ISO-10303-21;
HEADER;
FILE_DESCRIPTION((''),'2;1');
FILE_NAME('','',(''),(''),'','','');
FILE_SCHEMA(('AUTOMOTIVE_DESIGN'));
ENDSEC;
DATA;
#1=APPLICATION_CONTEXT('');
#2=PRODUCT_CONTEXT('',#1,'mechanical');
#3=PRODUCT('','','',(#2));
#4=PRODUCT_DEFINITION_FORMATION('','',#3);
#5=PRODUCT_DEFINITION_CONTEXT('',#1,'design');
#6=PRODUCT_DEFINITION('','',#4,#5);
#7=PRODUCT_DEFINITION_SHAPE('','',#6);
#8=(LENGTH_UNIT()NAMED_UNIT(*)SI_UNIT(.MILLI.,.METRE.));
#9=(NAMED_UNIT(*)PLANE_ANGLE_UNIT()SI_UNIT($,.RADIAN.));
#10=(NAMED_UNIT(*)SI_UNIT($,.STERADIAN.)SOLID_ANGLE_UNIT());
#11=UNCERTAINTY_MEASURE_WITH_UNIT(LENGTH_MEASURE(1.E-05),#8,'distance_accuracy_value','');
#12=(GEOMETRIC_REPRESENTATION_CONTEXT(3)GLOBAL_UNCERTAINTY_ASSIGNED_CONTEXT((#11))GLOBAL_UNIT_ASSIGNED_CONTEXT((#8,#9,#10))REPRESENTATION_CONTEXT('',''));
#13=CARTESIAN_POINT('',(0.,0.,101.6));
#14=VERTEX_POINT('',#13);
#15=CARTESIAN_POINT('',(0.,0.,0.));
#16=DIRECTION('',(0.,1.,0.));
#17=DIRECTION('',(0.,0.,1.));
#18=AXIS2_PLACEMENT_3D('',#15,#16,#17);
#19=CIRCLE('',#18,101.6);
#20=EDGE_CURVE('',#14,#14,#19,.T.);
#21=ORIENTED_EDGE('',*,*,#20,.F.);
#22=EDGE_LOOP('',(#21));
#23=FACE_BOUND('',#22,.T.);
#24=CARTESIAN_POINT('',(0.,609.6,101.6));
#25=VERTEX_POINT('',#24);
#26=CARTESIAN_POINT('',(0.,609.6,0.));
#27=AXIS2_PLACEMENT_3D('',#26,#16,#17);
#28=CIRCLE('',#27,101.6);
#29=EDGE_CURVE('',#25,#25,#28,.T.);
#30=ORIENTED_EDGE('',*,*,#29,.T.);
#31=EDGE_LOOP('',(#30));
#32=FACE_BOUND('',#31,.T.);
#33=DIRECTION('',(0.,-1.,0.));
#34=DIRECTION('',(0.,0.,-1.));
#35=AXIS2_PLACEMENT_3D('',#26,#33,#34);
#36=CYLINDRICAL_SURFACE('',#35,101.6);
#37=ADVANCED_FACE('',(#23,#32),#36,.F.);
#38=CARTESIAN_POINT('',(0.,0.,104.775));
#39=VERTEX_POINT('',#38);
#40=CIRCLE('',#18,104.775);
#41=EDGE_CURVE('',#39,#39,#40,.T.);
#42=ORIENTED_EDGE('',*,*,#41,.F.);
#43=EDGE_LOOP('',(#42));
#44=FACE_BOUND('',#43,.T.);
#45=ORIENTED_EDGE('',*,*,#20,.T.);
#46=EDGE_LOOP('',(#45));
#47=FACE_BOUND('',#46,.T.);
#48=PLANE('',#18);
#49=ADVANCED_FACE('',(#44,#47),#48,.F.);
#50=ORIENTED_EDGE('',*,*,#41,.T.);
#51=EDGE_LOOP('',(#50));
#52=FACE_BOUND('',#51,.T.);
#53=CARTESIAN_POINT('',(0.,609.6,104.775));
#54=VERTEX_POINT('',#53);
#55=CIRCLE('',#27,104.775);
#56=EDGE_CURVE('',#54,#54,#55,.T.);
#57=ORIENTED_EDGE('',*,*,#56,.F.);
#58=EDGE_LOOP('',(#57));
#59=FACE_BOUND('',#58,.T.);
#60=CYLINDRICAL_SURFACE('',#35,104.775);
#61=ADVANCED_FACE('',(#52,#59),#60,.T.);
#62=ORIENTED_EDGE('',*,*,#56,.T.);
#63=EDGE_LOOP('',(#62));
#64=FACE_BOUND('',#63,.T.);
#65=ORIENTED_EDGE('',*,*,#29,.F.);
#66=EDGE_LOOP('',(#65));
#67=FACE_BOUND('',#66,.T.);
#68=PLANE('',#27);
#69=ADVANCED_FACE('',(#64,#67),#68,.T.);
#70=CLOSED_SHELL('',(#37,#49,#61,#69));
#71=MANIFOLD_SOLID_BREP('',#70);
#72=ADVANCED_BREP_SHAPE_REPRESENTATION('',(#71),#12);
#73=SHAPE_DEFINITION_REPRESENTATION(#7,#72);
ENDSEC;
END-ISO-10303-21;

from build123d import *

# Parameters (mm, degrees)
SKETCH1_R           = 104.775
SKETCH1_R_2         = 101.6
BOSS_EXTRUDE1_DEPTH = 609.6


with BuildPart() as part:
    # Sketch1 → Boss-Extrude1 (new body)
    with BuildSketch(Plane(origin=(0, 0, 0), x_dir=(1, 0, 0), z_dir=(0, 1, 0))):
        Circle(SKETCH1_R)
        Circle(SKETCH1_R_2, mode=Mode.SUBTRACT)
    extrude(amount=BOSS_EXTRUDE1_DEPTH)


solid = part.part
